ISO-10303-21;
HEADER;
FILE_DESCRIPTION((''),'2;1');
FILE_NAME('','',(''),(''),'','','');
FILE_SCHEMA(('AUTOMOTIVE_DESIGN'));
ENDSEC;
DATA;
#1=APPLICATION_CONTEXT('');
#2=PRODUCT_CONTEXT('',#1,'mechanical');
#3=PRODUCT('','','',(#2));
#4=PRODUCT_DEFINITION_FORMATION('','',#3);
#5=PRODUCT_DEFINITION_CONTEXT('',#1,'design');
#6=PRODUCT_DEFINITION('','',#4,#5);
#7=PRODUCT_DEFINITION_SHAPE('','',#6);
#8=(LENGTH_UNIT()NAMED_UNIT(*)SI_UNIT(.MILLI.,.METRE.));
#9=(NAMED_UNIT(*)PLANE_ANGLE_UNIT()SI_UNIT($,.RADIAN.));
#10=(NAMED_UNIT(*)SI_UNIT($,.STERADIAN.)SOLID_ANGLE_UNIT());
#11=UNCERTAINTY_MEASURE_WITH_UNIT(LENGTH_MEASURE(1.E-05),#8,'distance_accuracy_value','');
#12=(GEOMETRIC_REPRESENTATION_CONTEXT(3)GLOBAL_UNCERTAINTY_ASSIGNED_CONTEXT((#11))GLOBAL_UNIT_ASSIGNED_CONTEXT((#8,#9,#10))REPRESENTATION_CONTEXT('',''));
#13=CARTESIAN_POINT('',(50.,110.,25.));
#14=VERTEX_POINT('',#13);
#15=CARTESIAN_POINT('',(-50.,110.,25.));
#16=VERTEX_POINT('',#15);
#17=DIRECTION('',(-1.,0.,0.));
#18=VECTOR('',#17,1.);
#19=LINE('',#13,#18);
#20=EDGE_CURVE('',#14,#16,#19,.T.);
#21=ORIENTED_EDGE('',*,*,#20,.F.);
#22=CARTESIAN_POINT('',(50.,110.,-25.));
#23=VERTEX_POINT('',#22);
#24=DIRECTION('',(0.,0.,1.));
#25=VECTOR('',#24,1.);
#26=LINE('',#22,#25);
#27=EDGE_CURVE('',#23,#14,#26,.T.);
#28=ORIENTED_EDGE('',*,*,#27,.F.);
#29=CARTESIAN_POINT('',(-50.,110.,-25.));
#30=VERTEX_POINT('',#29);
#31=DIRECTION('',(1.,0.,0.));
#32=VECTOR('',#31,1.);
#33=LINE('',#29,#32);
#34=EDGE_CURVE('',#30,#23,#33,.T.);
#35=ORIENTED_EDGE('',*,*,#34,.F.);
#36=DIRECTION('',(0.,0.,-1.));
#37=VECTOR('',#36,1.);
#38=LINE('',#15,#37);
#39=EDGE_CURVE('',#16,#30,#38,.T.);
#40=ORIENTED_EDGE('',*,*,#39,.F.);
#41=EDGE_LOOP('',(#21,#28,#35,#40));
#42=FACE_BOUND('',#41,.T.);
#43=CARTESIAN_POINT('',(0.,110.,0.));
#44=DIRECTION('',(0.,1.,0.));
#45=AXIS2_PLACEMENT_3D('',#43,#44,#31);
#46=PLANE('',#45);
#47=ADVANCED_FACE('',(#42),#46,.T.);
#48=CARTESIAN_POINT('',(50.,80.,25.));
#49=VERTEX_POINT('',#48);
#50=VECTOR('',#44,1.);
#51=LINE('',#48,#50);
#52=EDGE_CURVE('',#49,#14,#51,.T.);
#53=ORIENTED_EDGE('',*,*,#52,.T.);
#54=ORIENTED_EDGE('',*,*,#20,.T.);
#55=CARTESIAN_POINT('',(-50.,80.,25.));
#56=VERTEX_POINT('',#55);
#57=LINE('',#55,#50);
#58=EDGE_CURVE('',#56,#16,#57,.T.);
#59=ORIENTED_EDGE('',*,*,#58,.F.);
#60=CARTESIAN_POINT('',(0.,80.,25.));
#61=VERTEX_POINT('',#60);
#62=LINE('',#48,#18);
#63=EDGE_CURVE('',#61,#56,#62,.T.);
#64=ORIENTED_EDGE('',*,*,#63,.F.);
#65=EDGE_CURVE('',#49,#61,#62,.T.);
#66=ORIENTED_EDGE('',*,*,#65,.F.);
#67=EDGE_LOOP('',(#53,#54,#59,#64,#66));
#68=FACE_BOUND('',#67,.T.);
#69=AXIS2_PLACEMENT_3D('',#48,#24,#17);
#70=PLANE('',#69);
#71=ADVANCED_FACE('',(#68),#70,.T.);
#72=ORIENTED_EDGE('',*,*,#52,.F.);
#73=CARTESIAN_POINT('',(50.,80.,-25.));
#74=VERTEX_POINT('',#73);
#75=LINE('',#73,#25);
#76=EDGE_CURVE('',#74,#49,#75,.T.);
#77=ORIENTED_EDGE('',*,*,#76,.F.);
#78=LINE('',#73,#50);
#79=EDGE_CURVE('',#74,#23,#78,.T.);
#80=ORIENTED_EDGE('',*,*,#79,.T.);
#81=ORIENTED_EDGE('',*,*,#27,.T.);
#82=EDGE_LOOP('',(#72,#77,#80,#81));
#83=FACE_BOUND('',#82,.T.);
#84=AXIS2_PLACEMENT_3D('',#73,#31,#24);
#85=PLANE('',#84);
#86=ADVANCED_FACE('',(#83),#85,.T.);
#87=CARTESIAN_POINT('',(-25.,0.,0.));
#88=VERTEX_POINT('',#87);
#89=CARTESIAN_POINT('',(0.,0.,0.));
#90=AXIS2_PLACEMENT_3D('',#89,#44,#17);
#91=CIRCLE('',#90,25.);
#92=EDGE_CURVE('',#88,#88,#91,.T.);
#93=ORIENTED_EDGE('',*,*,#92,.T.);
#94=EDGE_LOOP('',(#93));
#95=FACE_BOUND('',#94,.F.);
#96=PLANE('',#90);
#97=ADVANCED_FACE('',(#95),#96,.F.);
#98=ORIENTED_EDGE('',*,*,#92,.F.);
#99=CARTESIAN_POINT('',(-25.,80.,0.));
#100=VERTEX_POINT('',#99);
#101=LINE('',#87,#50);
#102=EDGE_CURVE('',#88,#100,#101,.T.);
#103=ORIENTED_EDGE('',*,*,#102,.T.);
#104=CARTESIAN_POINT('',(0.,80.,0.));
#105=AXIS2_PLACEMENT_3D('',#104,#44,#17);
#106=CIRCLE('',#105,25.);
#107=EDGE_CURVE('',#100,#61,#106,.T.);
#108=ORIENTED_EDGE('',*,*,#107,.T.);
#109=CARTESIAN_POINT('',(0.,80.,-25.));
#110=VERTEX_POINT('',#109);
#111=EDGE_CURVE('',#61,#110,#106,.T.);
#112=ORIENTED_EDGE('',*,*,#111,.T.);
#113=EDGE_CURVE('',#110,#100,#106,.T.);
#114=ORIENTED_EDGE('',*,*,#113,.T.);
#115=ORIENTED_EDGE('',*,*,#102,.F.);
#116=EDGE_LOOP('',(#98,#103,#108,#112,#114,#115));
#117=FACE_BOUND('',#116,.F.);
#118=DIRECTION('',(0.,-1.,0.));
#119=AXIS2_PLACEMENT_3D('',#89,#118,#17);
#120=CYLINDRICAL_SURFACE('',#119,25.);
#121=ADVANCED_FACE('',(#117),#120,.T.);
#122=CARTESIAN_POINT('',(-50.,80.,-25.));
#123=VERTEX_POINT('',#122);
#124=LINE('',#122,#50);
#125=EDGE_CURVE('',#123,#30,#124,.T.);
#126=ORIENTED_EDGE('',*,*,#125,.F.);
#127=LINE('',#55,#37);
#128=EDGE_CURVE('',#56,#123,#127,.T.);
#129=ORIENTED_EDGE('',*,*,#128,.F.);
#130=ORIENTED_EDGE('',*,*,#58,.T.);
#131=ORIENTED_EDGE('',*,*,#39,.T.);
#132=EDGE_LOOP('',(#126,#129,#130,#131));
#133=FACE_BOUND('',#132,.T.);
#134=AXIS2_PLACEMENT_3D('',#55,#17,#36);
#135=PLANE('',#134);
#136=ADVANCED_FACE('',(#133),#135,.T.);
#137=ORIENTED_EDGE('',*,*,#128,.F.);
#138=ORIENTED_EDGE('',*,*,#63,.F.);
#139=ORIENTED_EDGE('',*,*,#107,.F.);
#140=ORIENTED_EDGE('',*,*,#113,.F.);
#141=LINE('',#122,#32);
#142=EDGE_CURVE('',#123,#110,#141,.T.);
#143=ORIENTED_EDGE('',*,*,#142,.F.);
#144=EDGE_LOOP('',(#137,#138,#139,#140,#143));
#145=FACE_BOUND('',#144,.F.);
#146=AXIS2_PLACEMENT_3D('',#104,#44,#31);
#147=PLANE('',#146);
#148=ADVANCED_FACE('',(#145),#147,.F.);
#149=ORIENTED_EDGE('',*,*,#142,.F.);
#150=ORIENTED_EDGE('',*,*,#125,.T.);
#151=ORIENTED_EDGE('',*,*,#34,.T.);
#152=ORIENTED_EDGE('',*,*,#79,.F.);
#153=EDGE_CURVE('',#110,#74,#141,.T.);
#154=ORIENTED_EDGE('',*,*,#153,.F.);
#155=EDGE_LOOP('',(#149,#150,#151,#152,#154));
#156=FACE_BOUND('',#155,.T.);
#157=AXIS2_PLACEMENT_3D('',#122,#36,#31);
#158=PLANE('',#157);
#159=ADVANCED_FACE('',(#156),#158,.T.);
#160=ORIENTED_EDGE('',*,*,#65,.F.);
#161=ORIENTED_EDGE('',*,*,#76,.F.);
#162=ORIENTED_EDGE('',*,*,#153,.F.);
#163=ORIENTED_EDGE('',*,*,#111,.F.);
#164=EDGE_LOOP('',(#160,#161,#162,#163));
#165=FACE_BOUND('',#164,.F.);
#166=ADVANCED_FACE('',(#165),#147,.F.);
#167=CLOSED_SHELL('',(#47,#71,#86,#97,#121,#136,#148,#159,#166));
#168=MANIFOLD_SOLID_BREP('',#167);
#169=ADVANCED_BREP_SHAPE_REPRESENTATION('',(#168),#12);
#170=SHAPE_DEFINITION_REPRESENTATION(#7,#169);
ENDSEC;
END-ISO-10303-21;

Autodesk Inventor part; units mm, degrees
ref_plane "YZ Plane" through (0, 0, 0) normal (1, 0, 0) x (0, 1, 0)
ref_plane "XZ Plane" through (0, 0, 0) normal (0, 1, 0) x (-1, 0, 0)
ref_plane "XY Plane" through (0, 0, 0) normal (0, 0, 1) x (1, 0, 0)
sketch "Sketch1" plane through (0, 0, 0) normal (0, 1, 0) x (-1, 0, 0)
  circle A0 centre (0, 0) radius 25
  dimension "d0" = 50
extrude "Extrusion1" add sketch "Sketch1" along normal blind 80
sketch "Sketch2" plane through (0, 80, 0) normal (0, 1, 0) x (1, 0, 0)
  line L0 (50, -25) -> (-50, -25)
  line L1 (-50, -25) -> (-50, 25)
  line L2 (-50, 25) -> (50, 25)
  line L3 (50, 25) -> (50, -25)
  line L4 (50, -25) -> (-50, 25) construction
  line L5 (-50, -25) -> (50, 25) construction
  point P0 (0, 0)
  dimension "d3" = 50
  dimension "d4" = 100
extrude "Extrusion2" add sketch "Sketch2" along normal blind 30
properties part number "rotator_flat"
